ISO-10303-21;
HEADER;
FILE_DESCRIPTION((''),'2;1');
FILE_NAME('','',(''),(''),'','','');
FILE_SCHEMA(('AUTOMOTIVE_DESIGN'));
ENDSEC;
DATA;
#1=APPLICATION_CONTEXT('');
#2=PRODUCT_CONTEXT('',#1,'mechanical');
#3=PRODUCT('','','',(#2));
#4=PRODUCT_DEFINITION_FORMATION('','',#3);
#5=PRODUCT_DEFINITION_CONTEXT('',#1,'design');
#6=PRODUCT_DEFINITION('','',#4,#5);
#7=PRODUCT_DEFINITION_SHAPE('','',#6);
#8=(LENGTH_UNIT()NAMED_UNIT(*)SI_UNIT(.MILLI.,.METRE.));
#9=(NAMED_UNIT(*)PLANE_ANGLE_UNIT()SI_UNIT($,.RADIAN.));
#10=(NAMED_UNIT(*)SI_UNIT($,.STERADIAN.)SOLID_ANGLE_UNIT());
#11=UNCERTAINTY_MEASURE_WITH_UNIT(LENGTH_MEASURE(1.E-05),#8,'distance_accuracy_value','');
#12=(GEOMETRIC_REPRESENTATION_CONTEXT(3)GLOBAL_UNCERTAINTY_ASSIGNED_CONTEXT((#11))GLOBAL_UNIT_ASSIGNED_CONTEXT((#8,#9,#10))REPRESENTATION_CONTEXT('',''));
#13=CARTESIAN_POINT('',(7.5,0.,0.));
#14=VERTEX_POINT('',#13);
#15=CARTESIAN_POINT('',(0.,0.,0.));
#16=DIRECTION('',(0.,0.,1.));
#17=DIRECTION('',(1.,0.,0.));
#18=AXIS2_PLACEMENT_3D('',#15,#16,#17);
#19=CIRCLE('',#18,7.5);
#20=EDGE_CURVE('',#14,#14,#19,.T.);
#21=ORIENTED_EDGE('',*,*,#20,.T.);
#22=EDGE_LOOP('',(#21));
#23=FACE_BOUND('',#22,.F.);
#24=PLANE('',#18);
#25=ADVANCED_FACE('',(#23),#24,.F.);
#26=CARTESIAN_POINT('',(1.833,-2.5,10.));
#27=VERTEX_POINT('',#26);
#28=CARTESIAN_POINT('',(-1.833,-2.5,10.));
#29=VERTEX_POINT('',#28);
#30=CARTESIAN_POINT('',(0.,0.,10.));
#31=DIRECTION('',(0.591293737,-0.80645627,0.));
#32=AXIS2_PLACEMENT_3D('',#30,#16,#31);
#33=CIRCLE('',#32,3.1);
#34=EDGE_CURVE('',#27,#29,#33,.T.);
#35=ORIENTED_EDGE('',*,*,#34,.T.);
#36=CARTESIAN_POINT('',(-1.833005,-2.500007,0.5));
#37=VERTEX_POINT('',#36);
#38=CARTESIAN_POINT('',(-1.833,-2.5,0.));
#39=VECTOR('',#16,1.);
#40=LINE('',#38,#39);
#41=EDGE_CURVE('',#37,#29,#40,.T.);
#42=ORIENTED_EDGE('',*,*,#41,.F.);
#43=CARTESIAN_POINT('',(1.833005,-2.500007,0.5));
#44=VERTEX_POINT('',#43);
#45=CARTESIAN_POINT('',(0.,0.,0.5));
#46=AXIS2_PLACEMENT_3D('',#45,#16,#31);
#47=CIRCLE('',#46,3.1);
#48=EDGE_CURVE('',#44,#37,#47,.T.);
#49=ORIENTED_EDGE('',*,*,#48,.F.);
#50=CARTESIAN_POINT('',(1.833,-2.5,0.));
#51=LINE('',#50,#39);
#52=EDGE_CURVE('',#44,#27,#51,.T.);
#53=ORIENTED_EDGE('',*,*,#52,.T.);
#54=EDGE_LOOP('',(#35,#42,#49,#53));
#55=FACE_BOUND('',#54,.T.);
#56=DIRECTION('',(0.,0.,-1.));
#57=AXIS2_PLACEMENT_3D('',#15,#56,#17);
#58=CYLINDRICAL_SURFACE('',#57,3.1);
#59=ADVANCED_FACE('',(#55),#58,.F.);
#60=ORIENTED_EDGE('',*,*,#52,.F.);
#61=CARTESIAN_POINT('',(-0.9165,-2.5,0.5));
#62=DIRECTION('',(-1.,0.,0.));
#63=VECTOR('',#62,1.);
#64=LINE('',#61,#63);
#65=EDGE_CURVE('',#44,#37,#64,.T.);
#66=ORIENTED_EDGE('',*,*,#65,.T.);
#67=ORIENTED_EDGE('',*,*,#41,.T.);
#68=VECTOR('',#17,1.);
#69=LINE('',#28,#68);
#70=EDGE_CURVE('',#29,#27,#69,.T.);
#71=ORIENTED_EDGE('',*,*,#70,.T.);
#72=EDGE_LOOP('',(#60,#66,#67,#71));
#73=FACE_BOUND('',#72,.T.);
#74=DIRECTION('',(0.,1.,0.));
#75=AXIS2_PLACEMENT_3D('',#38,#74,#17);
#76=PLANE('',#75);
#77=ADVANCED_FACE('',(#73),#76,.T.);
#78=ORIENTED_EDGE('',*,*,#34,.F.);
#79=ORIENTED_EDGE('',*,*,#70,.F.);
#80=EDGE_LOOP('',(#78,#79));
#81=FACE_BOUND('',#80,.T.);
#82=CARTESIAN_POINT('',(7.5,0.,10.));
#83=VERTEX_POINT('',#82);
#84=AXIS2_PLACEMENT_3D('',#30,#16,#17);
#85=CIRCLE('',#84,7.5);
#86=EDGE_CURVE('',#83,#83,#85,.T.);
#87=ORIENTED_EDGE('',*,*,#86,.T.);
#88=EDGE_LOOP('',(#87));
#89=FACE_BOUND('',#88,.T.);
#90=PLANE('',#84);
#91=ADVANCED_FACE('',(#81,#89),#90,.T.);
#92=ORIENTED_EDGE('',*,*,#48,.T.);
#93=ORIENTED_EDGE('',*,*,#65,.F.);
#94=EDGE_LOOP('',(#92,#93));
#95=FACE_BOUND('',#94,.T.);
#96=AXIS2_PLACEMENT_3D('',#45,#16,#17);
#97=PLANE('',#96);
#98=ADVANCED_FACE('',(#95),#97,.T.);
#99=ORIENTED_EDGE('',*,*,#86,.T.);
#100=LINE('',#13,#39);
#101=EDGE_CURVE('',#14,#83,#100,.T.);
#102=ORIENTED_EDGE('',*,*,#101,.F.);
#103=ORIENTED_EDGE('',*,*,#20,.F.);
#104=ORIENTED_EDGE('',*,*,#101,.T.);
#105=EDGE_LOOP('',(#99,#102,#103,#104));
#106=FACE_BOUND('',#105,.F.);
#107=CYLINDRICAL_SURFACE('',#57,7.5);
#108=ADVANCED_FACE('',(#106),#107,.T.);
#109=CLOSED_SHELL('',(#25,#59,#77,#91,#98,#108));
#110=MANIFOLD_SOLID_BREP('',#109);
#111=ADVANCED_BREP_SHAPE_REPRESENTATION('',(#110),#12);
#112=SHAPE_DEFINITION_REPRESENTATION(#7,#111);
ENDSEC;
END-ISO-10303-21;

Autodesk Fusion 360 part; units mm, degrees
sketch "Sketch1" plane through (0, 0, 0) normal (0, 0, 1) x (1, 0, 0)
  circle A0 centre (0, 0) radius 3.1
  line L0 (-1.833, -2.5) -> (1.833, -2.5)
  line L1 (-3, -3.1) -> (0, -3.1) construction
  circle A1 centre (0, 0) radius 7.5
  dimension "d1" = 6.2
  dimension "d2" = 0.6
  dimension "d3" = 15
extrude "Extrude1" add sketch "Sketch1" along normal blind 0.5 contours A0 L0 | A0 L0
extrude "Extrude2" add sketch "Sketch1" along normal blind 10 contours A0 L0 | A1 picked at (0.4882, -2.5774)
